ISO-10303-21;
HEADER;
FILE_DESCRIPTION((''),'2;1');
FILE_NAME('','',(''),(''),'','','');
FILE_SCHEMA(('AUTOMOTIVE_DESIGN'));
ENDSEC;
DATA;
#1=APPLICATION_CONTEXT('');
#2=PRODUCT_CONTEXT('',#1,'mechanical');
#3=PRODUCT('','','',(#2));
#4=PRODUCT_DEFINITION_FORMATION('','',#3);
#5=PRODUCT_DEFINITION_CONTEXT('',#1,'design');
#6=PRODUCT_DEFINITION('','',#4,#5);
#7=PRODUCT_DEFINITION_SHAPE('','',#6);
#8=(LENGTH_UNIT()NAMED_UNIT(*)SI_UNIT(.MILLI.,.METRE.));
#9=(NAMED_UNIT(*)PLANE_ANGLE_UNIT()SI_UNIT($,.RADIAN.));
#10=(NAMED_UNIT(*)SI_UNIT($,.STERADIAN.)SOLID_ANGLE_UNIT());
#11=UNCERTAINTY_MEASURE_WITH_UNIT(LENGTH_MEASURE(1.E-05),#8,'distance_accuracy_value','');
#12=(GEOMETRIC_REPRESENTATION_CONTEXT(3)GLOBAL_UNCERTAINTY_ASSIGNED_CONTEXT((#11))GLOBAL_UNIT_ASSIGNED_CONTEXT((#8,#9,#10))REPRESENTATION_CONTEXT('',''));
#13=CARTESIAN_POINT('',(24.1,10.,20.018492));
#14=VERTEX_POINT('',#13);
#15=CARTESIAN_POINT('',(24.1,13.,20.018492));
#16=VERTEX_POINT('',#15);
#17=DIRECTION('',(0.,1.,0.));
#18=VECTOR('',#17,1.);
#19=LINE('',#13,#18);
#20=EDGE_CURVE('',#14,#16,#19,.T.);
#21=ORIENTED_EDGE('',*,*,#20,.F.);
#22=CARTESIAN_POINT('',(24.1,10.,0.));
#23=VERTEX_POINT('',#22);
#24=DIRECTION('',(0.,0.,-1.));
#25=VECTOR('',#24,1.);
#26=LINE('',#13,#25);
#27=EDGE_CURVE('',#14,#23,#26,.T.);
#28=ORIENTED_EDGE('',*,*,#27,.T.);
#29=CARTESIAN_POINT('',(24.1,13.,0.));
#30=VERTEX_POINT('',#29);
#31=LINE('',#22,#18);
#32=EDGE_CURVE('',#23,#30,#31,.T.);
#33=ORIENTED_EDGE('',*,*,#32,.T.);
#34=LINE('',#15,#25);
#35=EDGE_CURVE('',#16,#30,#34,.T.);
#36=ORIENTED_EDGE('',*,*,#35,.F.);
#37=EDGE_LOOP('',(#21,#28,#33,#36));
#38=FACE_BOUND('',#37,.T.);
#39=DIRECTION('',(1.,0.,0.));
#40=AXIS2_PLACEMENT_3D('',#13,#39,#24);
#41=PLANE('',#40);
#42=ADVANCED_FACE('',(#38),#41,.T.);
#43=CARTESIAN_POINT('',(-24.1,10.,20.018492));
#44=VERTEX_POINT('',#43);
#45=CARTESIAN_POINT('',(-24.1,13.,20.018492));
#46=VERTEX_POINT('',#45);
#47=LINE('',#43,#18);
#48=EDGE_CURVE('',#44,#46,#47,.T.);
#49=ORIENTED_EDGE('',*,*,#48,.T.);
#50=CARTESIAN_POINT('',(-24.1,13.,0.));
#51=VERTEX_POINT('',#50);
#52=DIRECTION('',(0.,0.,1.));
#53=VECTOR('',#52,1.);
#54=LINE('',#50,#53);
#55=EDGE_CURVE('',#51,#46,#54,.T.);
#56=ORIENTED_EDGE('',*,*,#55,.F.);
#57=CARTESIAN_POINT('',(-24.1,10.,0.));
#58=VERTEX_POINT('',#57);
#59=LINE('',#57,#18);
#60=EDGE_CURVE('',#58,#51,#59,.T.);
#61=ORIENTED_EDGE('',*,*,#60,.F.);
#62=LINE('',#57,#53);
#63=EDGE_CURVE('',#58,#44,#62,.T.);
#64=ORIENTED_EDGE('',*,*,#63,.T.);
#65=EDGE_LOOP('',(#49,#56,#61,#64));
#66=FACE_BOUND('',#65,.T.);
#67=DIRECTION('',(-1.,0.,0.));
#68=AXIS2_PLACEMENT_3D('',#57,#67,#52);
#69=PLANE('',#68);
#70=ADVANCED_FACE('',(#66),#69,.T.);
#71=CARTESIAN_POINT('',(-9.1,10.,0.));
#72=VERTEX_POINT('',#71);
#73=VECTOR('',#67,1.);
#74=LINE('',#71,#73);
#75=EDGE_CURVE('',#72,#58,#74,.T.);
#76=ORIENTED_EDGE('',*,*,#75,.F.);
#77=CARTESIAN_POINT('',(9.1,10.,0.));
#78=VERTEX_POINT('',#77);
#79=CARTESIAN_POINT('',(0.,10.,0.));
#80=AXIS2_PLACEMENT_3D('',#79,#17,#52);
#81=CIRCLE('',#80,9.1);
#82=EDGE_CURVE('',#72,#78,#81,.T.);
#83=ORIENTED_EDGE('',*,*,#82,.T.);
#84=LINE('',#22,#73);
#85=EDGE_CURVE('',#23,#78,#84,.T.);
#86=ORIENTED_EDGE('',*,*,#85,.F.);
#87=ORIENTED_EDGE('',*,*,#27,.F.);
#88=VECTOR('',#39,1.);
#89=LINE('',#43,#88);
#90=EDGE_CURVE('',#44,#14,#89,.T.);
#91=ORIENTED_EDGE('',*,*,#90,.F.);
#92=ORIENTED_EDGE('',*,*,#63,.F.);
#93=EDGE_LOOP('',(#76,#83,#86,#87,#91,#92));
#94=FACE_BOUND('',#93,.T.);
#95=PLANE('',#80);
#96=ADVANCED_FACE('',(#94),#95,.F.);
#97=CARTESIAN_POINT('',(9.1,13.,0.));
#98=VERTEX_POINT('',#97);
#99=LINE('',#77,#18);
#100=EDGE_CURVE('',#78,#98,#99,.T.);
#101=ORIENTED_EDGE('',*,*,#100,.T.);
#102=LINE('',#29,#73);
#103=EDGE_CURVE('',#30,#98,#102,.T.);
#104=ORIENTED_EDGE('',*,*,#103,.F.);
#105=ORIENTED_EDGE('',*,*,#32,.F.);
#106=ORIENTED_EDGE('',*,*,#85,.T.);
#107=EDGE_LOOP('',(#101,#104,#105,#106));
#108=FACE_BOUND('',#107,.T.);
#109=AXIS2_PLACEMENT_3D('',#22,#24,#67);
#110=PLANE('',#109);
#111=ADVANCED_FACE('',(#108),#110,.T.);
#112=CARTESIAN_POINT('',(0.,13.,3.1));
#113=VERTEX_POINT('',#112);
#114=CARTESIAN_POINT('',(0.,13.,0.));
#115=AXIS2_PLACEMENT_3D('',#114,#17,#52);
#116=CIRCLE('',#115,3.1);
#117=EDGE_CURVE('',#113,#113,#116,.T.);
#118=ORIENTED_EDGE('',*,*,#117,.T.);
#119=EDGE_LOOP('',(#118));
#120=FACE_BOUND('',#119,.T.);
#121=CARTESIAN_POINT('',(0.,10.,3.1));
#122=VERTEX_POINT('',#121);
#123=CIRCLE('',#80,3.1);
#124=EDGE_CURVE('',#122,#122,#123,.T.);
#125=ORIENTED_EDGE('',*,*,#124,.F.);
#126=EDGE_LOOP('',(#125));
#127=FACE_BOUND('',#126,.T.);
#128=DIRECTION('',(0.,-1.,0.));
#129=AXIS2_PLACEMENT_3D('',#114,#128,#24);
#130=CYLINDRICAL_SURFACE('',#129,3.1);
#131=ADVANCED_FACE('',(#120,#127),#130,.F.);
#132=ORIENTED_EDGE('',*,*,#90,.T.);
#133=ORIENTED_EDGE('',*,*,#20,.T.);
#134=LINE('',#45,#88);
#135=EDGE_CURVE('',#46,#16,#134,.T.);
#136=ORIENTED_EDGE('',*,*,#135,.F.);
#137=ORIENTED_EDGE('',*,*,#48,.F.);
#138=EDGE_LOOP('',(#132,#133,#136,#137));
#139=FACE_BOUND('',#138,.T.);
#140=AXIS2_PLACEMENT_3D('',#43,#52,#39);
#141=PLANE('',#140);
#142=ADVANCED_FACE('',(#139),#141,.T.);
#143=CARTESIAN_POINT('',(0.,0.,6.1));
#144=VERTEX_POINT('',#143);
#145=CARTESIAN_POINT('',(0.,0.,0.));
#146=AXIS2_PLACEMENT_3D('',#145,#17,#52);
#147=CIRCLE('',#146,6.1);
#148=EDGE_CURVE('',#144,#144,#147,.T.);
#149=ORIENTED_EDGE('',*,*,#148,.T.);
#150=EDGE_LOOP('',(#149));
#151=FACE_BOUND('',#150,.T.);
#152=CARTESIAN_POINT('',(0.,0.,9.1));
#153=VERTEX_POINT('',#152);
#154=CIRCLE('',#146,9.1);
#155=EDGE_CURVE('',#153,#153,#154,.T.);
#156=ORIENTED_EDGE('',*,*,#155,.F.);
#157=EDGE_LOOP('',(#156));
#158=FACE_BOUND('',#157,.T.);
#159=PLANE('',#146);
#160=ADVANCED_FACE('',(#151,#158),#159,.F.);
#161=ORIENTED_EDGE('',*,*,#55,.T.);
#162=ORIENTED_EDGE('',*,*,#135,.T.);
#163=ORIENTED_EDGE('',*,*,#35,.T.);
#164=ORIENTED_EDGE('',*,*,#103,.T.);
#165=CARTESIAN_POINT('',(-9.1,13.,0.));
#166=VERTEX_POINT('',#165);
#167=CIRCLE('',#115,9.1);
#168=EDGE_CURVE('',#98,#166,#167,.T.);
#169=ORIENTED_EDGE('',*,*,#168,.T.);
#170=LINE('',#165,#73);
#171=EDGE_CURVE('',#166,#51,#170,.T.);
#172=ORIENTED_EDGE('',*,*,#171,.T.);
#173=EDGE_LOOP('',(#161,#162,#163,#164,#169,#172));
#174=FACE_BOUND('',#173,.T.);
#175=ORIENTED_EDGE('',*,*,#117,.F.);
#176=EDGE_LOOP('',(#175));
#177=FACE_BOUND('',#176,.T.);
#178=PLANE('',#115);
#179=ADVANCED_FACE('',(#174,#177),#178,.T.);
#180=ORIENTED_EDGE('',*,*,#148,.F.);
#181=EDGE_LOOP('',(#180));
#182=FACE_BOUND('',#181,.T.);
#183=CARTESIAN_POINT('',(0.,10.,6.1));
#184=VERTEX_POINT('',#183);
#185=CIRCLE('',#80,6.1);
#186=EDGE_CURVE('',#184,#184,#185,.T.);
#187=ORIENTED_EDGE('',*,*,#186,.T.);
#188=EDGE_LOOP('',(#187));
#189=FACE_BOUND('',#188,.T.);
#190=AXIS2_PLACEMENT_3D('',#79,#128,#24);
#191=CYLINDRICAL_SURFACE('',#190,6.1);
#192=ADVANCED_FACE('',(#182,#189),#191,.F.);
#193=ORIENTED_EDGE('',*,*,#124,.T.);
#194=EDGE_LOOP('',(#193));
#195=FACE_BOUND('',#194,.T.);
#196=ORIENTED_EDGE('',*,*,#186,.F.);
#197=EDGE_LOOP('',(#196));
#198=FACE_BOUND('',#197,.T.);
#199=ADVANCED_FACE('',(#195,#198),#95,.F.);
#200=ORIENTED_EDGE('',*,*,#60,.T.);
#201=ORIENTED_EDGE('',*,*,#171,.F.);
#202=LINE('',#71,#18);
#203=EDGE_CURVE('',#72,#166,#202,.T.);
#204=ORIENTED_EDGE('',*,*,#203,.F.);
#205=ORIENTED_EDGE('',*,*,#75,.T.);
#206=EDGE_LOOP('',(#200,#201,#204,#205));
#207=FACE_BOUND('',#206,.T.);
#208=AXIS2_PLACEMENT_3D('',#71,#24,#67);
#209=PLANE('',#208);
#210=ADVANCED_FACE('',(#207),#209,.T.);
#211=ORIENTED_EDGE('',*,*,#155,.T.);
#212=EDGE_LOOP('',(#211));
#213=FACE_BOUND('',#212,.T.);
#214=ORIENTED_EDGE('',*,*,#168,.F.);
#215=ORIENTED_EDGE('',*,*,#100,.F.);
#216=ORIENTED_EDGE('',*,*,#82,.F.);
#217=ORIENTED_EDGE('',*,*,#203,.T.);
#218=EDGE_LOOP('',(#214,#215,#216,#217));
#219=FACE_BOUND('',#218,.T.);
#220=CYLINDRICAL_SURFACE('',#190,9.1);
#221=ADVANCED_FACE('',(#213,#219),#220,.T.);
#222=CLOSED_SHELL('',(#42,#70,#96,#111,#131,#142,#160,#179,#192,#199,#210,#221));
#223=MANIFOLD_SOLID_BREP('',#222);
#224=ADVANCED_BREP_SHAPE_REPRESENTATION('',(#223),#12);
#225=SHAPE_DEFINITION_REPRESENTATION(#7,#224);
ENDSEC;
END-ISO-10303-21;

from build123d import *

# Parameters (mm, degrees)
SKETCH1_R           = 9.1
SKETCH1_R_2         = 6.1
BOSS_EXTRUDE1_DEPTH = 10
SKETCH2_R           = 9.1
SKETCH2_R_2         = 3.1
BOSS_EXTRUDE2_DEPTH = 3
BOSS_EXTRUDE3_DEPTH = 3


with BuildPart() as part:
    # Sketch1 → Boss-Extrude1 (new body)
    with BuildSketch(Plane(origin=(0, 0, 0), x_dir=(1, 0, 0), z_dir=(0, 1, 0))):
        with Locations(Location((0, 0, 0), (0, 0, 270))):
            Circle(SKETCH1_R)
        with Locations(Location((0, 0, 0), (0, 0, 270))):
            Circle(SKETCH1_R_2, mode=Mode.SUBTRACT)
    extrude(amount=BOSS_EXTRUDE1_DEPTH)

    # Sketch2 → Boss-Extrude2 (add)
    with BuildSketch(Plane(origin=(0, 10, 0), x_dir=(1, 0, 0), z_dir=(0, 1, 0))):
        with Locations(Location((0, 0, 0), (0, 0, 270))):
            Circle(SKETCH2_R)
        with Locations(Location((0, 0, 0), (0, 0, 270))):
            Circle(SKETCH2_R_2, mode=Mode.SUBTRACT)
    extrude(amount=BOSS_EXTRUDE2_DEPTH)

    # Sketch3 → Boss-Extrude3 (add)
    with BuildSketch(Plane(origin=(0, 13, 0), x_dir=(1, 0, 0), z_dir=(0, 1, 0))):
        Polygon((-9.1, 0), (-24.1, 0), (-24.1, -20.018492189), (24.1, -20.018492189), (24.1, 0), (9.1, 0), (0, -6.029666322), align=None)
    extrude(amount=-BOSS_EXTRUDE3_DEPTH)


solid = part.part
